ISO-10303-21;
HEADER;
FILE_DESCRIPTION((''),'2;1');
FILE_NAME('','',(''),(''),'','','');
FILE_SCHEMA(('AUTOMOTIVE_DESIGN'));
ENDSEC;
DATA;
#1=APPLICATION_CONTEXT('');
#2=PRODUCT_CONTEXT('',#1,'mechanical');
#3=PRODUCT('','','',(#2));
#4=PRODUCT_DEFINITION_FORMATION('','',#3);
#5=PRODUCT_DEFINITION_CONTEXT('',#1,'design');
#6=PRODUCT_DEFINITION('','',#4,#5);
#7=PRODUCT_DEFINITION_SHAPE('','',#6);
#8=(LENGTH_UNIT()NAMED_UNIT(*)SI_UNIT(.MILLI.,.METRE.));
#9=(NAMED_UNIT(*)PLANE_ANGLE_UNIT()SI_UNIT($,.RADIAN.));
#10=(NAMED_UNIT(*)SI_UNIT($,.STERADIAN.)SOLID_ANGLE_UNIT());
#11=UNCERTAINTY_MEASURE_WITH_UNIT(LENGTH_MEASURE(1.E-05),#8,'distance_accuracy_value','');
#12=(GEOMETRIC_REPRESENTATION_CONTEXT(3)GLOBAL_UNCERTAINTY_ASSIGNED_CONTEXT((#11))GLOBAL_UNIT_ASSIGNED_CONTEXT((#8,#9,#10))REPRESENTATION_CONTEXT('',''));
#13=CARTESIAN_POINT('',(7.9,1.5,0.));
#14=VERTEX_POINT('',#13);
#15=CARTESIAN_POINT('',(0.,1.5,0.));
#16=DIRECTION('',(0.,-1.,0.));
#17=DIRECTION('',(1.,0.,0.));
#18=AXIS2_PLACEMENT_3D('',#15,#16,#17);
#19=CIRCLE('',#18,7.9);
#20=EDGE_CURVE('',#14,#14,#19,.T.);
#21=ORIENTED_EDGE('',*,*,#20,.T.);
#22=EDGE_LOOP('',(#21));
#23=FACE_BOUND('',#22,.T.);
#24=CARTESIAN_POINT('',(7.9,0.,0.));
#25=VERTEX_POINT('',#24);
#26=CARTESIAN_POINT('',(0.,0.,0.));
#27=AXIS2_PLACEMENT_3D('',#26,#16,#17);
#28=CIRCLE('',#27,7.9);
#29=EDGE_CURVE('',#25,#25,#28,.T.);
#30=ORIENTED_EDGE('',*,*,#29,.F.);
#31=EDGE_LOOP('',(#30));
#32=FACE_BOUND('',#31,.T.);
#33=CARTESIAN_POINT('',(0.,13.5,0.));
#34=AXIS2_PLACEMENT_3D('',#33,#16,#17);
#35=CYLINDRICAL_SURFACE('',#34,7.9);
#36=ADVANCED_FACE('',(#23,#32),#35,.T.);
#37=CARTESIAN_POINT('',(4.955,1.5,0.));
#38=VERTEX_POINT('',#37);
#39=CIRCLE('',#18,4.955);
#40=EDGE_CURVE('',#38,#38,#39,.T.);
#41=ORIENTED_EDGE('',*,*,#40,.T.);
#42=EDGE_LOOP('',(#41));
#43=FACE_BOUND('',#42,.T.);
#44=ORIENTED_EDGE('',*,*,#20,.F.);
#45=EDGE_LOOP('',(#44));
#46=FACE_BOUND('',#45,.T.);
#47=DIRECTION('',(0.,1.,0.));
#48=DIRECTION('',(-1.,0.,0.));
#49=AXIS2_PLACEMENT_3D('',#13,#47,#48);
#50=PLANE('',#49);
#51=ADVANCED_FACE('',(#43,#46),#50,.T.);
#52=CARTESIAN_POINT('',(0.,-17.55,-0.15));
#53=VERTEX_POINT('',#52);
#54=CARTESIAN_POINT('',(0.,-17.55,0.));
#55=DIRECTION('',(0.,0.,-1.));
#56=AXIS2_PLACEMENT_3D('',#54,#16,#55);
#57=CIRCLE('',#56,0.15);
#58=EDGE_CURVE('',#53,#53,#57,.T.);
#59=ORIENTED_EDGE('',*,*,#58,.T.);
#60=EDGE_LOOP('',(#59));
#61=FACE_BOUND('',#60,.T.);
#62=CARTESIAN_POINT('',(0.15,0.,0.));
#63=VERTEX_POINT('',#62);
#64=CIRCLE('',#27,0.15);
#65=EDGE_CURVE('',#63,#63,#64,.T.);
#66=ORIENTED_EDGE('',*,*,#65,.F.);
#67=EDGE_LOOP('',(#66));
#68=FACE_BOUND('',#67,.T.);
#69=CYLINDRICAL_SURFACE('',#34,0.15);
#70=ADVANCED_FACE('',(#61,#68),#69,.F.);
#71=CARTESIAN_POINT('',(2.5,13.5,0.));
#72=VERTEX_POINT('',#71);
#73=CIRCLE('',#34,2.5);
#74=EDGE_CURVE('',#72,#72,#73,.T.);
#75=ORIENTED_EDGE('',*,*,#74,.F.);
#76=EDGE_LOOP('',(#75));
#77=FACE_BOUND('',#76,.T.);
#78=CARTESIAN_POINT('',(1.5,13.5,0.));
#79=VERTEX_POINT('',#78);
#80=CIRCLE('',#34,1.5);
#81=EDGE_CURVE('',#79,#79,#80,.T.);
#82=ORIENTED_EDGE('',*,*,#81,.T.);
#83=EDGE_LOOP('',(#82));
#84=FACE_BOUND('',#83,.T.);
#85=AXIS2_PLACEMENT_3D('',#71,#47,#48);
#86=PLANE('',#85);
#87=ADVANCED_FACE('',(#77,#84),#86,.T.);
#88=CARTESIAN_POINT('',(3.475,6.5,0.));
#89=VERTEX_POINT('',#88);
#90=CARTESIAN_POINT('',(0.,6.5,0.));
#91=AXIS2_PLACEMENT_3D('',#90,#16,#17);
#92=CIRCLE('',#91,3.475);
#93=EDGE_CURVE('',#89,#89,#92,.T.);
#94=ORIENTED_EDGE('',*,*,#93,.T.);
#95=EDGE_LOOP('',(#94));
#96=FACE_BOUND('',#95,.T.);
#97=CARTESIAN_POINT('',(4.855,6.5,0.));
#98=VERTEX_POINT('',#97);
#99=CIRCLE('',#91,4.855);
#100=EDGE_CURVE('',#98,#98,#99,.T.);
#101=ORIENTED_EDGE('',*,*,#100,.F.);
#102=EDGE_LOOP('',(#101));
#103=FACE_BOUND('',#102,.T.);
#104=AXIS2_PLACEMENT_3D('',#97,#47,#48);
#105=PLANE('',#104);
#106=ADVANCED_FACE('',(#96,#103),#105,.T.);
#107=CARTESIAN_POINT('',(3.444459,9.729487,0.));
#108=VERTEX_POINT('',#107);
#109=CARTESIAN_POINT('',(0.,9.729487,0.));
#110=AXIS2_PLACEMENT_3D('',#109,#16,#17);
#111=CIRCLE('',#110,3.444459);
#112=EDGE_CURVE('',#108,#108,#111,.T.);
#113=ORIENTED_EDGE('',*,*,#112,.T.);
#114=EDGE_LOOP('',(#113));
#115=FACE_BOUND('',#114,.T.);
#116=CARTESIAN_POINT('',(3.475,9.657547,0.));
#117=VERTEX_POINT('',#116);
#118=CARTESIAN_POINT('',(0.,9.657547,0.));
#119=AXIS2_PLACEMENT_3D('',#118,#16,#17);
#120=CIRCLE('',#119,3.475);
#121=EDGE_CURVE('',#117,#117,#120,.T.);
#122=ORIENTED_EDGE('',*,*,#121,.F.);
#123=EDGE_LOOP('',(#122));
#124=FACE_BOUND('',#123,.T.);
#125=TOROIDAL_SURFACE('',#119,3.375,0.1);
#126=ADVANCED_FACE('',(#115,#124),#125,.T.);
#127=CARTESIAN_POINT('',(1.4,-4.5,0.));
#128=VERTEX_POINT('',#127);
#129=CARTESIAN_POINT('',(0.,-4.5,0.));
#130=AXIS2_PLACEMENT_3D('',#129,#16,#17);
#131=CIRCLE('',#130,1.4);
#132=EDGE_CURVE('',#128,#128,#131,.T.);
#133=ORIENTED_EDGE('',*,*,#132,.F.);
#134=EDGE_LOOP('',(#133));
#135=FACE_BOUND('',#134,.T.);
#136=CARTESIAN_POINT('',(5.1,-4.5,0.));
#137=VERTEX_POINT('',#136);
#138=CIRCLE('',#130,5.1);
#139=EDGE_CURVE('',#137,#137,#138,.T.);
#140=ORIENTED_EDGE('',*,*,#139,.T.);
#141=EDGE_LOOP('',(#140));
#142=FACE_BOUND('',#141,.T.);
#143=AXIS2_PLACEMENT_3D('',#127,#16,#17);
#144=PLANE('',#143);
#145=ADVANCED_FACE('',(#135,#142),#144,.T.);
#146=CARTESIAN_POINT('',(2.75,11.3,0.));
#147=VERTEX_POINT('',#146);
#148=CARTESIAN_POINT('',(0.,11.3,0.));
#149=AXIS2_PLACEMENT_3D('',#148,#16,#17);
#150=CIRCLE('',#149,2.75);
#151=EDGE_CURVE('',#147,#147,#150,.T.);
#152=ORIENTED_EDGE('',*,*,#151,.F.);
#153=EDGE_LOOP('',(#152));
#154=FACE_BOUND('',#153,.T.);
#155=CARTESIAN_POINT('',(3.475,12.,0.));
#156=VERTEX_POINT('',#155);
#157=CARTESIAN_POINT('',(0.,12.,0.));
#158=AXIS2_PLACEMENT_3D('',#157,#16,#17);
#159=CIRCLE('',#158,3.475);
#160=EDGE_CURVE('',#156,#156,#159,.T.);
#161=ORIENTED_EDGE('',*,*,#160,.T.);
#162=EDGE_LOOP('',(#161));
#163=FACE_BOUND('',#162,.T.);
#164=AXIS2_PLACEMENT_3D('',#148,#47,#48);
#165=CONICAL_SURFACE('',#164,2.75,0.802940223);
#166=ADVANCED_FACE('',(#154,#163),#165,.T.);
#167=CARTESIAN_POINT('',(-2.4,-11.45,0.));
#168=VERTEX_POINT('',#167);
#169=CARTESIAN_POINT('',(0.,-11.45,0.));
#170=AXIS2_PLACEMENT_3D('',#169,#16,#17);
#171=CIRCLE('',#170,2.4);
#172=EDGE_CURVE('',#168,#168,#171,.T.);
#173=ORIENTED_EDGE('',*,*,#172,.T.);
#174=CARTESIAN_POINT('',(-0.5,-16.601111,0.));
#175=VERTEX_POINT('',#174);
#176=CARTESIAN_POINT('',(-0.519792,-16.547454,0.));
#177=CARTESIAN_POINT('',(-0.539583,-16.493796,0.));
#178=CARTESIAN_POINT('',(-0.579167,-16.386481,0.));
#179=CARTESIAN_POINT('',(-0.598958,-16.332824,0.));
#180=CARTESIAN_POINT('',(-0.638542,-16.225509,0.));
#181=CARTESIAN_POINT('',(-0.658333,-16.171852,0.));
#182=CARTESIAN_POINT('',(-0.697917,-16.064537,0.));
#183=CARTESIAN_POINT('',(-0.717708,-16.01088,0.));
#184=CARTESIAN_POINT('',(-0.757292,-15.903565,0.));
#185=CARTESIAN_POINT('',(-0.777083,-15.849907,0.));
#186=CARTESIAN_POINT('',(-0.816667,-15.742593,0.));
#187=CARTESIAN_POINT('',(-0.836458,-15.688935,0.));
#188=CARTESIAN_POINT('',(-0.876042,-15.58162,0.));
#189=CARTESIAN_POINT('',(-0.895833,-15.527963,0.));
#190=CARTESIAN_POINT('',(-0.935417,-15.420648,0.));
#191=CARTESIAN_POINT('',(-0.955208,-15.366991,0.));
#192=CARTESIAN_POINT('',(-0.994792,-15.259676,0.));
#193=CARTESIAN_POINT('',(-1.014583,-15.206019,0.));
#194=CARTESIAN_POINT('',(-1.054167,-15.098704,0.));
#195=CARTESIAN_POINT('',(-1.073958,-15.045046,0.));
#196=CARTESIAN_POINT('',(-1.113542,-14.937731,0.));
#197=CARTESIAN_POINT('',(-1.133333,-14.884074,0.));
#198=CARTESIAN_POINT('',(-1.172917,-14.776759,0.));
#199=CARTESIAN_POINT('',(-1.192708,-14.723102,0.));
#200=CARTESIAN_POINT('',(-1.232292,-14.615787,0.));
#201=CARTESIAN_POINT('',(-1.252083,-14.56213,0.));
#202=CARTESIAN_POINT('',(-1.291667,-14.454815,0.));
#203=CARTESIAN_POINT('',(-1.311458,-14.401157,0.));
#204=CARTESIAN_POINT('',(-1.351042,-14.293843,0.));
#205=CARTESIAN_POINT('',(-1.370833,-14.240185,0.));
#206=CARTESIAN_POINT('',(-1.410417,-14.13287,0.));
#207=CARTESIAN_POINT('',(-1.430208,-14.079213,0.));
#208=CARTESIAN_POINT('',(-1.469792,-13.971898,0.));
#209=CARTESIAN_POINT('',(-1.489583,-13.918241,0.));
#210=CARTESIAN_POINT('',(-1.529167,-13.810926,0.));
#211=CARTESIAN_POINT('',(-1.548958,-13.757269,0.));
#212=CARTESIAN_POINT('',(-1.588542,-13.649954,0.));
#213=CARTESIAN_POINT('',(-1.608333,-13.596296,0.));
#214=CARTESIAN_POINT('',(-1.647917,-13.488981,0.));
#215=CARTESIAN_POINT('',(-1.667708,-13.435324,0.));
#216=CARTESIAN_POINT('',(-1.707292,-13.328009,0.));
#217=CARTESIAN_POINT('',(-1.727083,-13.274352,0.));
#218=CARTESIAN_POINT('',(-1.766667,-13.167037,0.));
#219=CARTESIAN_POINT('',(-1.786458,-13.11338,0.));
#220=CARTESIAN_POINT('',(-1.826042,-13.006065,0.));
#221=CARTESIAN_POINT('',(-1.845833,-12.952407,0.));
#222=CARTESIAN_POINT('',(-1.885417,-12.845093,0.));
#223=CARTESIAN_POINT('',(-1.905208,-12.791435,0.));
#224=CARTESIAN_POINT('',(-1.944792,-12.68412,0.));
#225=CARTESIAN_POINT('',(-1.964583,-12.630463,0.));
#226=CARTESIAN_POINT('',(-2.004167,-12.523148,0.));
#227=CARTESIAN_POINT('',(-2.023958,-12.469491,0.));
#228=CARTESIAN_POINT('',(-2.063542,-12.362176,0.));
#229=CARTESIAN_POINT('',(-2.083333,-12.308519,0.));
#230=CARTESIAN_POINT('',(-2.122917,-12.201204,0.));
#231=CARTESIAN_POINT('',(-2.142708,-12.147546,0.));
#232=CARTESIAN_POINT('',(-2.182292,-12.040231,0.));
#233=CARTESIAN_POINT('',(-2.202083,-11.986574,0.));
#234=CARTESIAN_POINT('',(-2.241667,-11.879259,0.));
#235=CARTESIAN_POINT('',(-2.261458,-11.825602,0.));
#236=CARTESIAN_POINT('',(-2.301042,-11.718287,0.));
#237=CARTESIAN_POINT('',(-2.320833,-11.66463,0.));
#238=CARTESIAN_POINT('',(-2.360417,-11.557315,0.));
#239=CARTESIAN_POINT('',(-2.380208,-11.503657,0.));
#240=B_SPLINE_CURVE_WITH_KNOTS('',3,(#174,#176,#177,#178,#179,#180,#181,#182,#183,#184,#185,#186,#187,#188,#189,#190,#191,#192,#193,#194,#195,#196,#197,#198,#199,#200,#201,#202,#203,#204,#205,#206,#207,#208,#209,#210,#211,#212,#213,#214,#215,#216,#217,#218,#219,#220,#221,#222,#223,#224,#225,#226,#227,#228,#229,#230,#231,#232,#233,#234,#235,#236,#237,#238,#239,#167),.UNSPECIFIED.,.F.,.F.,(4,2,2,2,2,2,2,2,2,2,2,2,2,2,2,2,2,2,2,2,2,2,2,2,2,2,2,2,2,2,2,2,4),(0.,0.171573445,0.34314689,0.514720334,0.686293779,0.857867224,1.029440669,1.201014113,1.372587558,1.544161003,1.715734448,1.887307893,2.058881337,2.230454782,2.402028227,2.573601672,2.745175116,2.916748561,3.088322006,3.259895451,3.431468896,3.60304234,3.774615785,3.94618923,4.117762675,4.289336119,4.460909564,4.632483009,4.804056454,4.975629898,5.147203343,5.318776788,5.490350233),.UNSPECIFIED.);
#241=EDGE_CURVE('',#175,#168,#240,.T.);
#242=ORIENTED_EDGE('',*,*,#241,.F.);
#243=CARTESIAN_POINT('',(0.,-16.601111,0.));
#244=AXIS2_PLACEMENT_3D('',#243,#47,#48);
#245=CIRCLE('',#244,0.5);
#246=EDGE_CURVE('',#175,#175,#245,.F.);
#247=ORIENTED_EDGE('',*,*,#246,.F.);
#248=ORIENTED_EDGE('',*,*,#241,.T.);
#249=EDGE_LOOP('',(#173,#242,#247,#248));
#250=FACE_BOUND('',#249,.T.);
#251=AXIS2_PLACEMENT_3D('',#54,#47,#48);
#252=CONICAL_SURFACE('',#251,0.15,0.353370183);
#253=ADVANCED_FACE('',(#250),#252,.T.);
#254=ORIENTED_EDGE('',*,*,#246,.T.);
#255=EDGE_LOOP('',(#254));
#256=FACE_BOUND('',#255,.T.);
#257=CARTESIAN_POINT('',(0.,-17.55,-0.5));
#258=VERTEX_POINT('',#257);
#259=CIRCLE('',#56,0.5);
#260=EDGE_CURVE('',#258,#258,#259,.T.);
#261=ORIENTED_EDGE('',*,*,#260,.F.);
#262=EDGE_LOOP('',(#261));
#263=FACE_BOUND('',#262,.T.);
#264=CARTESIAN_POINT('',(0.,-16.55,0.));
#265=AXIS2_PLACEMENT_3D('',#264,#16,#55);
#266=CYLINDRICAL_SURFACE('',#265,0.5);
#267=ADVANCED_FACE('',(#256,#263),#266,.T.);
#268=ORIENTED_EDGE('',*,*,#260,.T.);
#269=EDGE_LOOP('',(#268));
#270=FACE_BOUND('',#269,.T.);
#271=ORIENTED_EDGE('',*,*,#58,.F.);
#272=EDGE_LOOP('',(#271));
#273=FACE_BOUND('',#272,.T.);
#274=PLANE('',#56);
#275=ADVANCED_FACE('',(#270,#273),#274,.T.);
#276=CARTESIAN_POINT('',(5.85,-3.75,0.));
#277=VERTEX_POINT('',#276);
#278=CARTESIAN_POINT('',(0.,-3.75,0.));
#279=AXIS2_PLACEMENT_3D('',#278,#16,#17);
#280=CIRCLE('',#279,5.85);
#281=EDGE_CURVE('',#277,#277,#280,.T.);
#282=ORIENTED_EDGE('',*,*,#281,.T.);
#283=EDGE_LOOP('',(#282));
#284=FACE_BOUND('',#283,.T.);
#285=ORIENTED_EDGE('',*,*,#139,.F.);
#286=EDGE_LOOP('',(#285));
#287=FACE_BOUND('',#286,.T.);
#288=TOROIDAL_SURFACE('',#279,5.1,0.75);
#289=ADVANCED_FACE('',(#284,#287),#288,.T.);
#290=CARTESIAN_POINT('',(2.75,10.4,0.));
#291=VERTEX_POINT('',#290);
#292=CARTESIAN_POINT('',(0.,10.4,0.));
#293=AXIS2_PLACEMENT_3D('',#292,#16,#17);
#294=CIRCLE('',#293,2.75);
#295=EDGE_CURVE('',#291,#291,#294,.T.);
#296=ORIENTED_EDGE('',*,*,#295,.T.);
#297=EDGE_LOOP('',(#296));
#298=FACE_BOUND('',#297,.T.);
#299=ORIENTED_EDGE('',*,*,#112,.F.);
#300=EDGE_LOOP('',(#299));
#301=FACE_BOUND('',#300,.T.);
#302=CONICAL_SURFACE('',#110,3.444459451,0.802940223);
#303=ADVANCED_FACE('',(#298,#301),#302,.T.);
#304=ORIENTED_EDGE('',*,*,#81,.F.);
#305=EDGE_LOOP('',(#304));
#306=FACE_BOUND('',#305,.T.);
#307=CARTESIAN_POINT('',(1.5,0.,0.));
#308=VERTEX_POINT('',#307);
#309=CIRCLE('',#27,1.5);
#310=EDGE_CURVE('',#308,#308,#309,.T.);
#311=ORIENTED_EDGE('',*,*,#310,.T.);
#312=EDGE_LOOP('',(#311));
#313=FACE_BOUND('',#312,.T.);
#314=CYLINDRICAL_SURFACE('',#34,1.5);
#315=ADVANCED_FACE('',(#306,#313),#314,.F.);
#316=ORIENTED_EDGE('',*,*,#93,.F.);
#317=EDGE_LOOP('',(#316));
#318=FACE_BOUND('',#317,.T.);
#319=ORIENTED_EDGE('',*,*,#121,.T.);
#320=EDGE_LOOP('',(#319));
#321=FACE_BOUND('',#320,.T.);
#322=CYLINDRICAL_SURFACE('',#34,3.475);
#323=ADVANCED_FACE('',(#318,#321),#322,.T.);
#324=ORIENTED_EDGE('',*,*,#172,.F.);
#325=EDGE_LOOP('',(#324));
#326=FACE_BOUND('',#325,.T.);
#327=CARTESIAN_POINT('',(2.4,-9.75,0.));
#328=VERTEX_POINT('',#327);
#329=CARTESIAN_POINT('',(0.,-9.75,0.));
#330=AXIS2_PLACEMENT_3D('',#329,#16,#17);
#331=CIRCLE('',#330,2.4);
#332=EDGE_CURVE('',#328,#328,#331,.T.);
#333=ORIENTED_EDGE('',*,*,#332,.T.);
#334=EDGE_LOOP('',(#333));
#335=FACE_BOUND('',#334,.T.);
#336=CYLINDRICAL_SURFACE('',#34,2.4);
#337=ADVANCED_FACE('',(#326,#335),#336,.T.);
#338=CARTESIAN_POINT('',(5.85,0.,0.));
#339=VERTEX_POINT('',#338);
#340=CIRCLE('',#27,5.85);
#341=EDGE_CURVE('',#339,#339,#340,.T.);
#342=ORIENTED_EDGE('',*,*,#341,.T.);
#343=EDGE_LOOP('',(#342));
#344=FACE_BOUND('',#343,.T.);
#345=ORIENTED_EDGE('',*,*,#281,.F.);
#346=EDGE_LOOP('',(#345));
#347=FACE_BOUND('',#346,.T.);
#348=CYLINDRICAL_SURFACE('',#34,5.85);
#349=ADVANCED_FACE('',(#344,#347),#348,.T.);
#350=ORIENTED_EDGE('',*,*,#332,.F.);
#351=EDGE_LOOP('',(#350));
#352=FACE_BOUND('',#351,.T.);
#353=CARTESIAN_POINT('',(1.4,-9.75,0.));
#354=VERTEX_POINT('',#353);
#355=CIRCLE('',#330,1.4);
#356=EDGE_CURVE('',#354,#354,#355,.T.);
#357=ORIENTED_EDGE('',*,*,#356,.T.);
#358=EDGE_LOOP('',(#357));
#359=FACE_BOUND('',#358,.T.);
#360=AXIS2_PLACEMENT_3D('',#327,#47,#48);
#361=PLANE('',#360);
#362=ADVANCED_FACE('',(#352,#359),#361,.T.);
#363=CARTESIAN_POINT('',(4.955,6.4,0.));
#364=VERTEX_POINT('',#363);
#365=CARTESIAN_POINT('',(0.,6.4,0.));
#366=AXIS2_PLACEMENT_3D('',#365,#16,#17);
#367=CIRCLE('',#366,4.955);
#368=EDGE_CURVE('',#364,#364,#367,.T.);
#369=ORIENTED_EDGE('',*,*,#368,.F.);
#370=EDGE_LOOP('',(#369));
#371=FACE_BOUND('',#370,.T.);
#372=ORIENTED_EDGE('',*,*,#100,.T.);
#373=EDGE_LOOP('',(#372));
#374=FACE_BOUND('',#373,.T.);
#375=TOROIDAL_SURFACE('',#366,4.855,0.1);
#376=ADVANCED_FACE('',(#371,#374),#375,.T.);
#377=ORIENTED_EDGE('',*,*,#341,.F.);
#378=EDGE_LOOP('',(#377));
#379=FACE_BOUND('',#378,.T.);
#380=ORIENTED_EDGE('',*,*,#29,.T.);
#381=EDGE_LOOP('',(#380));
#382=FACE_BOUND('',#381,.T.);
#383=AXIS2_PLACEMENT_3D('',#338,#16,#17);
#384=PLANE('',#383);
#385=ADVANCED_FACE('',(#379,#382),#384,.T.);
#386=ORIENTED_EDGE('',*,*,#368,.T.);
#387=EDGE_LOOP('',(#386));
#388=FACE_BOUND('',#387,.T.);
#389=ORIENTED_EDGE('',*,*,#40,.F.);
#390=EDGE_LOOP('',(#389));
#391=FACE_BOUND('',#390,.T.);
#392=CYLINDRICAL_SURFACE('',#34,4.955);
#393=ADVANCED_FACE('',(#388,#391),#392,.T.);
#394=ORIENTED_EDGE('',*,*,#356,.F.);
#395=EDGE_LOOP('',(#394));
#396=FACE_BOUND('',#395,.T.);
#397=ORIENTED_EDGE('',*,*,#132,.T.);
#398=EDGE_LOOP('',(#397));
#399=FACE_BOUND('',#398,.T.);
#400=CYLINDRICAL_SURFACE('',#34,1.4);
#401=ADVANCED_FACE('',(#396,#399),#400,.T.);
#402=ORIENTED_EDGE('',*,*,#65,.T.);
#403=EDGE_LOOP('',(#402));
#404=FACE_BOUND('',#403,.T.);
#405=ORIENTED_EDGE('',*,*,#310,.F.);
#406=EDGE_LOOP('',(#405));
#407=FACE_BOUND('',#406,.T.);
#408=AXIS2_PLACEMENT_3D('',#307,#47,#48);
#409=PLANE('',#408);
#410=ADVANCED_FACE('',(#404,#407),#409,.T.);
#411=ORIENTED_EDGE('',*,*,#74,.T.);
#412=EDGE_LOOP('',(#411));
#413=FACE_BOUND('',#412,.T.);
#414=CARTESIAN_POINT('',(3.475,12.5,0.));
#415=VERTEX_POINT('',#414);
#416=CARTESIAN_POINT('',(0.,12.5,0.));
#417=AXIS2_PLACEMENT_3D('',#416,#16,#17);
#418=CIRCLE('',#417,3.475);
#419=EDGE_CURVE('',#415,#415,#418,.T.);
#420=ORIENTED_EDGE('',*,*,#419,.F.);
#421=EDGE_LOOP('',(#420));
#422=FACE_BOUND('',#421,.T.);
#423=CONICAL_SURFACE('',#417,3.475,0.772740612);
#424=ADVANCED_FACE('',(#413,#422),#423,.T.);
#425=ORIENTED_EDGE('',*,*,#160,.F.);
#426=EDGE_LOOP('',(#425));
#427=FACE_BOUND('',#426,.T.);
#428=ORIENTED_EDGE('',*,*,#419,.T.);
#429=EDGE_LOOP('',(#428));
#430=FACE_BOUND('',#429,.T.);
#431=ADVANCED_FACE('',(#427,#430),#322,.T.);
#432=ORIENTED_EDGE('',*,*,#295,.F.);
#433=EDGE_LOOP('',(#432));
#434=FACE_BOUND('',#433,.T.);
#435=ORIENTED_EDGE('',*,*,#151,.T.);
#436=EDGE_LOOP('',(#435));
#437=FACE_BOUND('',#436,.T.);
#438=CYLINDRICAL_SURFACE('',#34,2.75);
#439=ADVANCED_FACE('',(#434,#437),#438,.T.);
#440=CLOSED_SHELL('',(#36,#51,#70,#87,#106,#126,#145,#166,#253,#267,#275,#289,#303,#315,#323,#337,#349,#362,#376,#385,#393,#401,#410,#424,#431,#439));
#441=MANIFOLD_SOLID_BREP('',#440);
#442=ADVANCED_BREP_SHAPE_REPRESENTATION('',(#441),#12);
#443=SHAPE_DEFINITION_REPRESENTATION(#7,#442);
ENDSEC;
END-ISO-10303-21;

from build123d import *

# Parameters (mm, degrees)
SKETCH_2_R      = 0.5
SKETCH_2_R_2    = 0.15
EXTRUDE_1_DEPTH = 1


with BuildPart() as part:
    # 草图1 → 旋转1 (revolve)
    with BuildSketch(Plane.XY):
        with BuildLine():
            Line((2.4, -9.75), (1.4, -9.75))
            Line((1.4, -9.75), (1.4, -4.5))
            Line((1.4, -4.5), (5.1, -4.5))
            ThreePointArc((5.1, -4.5), (5.630330086, -4.280330086), (5.85, -3.75))
            Line((5.85, -3.75), (5.85, 0))
            Line((5.85, 0), (7.9, 0))
            Line((7.9, 0), (7.9, 1.5))
            Line((7.9, 1.5), (4.955, 1.5))
            Line((4.955, 1.5), (4.955, 6.4))
            ThreePointArc((4.955, 6.4), (4.925710678, 6.470710678), (4.855, 6.5))
            Line((4.855, 6.5), (3.475, 6.5))
            Line((3.475, 6.5), (3.475, 9.65754728))
            ThreePointArc((3.475, 9.65754728), (3.467048751, 9.696624479), (3.444459451, 9.729487426))
            Line((3.444459451, 9.729487426), (2.75, 10.4))
            Line((2.75, 10.4), (2.75, 11.3))
            Line((2.75, 11.3), (3.475, 12))
            Line((3.475, 12), (3.475, 12.5))
            Line((3.475, 12.5), (2.5, 13.5))
            Line((2.5, 13.5), (1.5, 13.5))
            Line((1.5, 13.5), (1.5, 0))
            Line((1.5, 0), (0.15, 0))
            Line((0.15, 0), (0.15, -17.55))
            Line((0.15, -17.55), (2.4, -11.45))
            Line((2.4, -11.45), (2.4, -9.75))
        make_face()
    revolve(axis=Axis((0, 13.5, 0), (0, -1, 0)))

    # 草图2 → 凸台-拉伸1 (add)
    with BuildSketch(Plane(origin=(0, -17.55, 0), x_dir=(-1, 0, 0), z_dir=(0, -1, 0))):
        Circle(SKETCH_2_R)
        Circle(SKETCH_2_R_2, mode=Mode.SUBTRACT)
    extrude(amount=-EXTRUDE_1_DEPTH)


solid = part.part
